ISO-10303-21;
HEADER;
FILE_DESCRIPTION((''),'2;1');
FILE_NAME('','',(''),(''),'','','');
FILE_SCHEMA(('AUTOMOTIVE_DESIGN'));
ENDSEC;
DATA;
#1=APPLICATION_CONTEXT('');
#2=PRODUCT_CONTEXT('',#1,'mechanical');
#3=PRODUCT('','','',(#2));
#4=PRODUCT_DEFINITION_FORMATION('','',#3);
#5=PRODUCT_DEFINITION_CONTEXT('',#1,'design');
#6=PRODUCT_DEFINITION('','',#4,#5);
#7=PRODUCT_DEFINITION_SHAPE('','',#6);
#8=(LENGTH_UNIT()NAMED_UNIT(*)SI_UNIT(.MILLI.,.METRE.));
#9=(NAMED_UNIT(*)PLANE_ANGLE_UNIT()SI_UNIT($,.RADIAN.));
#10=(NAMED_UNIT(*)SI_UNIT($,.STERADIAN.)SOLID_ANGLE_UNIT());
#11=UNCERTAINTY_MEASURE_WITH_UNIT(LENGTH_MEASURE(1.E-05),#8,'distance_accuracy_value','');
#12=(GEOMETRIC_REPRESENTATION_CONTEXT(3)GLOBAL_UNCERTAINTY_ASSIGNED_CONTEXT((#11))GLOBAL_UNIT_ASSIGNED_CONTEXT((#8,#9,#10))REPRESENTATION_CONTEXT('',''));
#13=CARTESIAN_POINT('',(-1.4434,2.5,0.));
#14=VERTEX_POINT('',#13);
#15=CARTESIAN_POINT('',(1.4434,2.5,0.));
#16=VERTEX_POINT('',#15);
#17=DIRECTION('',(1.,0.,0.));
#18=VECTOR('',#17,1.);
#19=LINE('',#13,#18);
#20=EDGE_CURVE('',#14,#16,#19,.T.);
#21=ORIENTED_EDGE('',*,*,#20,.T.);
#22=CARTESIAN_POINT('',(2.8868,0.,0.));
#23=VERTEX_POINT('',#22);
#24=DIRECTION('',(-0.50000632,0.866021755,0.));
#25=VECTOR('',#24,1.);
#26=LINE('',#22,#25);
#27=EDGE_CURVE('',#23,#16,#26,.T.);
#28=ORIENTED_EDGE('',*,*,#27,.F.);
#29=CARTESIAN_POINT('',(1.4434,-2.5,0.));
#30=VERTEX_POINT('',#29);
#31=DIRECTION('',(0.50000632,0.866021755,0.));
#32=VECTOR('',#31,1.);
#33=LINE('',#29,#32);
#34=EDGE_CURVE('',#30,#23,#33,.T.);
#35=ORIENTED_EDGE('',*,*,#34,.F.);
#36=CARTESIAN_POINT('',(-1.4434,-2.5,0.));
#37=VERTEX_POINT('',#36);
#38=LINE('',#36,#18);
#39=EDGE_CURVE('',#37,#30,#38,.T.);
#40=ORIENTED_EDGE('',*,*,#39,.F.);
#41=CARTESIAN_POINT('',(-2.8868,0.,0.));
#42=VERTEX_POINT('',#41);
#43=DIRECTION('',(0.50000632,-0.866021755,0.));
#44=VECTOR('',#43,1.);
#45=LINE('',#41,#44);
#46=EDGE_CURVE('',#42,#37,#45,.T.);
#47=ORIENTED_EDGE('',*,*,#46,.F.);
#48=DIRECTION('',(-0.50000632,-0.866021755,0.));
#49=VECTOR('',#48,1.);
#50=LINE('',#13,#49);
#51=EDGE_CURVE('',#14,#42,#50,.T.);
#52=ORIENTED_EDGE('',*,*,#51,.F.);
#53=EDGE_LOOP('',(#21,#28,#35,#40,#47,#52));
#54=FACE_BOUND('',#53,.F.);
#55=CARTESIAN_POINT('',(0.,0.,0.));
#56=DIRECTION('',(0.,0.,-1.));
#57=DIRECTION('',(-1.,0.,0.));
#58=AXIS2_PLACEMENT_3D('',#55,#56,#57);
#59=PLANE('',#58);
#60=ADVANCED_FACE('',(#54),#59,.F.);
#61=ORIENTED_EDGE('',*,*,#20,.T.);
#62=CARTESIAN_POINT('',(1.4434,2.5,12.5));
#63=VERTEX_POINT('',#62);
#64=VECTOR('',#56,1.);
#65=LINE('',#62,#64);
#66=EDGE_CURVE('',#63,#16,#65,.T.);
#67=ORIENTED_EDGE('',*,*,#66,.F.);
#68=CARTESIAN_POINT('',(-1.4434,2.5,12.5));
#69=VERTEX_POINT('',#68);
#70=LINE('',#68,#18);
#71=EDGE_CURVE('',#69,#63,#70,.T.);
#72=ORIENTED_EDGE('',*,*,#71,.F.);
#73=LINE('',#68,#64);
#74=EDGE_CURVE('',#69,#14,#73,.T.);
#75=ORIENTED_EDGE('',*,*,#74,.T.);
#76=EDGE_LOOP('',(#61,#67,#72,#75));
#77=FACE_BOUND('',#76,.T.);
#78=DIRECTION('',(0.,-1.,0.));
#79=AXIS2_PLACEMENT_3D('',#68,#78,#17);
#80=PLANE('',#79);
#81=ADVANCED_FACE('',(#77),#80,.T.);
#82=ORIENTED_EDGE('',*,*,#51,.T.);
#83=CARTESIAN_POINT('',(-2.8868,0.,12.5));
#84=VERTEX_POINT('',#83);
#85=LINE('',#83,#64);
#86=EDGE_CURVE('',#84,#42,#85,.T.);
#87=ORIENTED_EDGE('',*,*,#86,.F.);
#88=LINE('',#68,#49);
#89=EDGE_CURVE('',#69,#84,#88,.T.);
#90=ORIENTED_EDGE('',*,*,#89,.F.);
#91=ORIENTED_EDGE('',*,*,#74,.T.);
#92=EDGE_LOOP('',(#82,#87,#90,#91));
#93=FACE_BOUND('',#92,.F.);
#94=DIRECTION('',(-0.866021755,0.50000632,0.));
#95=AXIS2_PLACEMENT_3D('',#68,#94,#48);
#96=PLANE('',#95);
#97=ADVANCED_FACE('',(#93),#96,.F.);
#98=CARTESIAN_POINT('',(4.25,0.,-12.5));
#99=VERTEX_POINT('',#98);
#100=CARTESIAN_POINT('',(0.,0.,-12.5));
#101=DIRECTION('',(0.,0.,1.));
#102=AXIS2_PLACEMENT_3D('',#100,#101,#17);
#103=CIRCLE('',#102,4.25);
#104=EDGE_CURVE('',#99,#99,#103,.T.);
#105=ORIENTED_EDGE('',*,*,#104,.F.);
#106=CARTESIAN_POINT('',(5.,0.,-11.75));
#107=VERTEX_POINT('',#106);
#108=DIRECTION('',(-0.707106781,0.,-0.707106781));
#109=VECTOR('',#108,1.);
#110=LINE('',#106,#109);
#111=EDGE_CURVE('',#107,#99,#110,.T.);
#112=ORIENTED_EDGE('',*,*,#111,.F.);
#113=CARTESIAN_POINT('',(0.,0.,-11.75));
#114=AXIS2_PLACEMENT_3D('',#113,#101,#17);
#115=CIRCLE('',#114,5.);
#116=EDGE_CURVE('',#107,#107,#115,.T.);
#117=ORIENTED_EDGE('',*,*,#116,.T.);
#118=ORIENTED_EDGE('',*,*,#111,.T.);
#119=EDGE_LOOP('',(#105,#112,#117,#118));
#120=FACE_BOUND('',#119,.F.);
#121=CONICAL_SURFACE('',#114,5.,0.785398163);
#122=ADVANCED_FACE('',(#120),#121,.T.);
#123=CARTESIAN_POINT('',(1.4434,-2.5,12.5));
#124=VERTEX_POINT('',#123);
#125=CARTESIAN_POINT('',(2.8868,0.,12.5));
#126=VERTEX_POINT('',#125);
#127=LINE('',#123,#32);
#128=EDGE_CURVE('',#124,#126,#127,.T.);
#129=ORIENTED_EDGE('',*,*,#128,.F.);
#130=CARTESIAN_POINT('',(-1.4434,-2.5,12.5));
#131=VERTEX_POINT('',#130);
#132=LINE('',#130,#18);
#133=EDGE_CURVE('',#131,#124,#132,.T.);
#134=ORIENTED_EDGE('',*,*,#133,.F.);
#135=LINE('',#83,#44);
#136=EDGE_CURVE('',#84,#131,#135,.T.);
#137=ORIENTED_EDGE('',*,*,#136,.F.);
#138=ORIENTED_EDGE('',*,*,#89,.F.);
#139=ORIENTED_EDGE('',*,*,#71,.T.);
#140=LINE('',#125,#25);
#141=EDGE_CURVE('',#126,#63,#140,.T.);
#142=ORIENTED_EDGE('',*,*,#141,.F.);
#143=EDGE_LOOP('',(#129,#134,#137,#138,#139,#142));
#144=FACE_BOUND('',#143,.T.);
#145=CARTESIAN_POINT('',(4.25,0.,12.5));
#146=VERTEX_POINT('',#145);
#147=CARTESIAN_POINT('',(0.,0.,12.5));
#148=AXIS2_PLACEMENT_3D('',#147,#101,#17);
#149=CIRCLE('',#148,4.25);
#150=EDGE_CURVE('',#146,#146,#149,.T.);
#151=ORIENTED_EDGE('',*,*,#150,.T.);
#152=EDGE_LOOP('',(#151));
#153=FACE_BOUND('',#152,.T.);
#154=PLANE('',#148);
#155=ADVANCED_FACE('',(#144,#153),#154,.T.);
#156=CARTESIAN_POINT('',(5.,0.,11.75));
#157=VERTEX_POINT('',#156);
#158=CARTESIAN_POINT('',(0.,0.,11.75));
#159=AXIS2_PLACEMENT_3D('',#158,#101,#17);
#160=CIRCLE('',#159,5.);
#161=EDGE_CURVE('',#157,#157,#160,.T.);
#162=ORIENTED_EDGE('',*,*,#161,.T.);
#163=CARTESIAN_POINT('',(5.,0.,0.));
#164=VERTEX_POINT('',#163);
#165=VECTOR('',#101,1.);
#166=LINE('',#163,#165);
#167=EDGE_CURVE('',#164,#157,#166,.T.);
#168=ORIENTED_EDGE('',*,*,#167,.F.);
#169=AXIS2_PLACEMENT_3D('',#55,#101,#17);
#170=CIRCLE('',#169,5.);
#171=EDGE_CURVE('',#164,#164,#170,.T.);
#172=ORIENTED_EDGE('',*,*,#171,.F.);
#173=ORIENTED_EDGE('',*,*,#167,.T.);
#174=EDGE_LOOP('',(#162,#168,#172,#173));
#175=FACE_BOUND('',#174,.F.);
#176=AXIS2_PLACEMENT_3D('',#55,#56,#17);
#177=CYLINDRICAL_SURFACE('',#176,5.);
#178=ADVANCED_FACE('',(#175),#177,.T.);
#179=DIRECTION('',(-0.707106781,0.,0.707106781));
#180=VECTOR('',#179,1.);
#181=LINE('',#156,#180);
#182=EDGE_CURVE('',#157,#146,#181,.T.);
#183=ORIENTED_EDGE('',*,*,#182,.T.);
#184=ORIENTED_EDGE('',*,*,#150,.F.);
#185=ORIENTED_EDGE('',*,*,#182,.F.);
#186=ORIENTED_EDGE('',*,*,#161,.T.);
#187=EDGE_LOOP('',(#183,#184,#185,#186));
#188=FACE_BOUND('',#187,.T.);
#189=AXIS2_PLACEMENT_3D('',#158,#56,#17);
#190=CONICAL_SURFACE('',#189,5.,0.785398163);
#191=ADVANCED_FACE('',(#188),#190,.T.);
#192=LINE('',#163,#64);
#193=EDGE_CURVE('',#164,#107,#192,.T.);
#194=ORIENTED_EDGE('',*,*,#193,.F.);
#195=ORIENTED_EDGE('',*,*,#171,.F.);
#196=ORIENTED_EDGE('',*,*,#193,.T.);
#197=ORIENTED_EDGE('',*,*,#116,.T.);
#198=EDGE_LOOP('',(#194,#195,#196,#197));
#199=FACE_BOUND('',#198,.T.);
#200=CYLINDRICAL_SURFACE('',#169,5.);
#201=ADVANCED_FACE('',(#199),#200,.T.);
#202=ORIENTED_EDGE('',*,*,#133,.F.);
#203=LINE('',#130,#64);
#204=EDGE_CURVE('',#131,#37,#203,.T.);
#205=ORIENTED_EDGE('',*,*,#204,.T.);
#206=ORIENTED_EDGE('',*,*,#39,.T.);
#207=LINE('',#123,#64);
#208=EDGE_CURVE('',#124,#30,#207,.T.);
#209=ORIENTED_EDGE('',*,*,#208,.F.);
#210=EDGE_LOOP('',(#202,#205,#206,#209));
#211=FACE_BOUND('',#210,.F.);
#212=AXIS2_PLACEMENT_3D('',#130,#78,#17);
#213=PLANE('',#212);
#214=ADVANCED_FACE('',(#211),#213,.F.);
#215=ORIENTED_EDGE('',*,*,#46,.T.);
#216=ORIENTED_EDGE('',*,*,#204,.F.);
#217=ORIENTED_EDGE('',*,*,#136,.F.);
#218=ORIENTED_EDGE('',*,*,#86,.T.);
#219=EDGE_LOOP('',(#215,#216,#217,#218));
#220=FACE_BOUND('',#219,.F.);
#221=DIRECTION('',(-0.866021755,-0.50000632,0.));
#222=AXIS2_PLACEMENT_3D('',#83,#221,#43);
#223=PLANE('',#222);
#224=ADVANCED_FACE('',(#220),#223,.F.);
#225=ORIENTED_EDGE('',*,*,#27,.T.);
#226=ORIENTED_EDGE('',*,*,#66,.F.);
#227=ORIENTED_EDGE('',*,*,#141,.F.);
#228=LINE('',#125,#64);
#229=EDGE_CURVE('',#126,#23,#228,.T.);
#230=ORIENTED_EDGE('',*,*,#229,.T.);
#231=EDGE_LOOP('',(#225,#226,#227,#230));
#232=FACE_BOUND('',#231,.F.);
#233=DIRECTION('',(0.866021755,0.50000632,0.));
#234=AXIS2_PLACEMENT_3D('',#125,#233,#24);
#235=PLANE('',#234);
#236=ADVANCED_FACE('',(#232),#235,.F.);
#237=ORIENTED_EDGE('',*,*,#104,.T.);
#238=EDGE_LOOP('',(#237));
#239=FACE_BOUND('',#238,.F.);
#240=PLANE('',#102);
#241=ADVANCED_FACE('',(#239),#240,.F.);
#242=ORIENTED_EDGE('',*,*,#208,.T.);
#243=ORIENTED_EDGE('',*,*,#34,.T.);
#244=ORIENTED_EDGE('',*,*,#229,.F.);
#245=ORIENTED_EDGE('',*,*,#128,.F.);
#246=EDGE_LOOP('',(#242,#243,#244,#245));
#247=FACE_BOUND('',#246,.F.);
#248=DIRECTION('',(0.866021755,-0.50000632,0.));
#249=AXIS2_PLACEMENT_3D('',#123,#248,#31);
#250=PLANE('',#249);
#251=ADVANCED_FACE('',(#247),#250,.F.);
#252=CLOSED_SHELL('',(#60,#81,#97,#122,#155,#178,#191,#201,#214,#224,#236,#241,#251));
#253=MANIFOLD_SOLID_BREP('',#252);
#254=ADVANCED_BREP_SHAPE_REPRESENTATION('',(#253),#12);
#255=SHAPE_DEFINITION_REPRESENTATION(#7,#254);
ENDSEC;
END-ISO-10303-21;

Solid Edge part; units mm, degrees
sketch "Sketch1" plane through (0, 0, 0) normal (0, 0, 1) x (1, 0, 0)
  circle A0 centre (0, 0) radius 5
  dimension "D1" = 10
extrude "Protrusion1" add sketch "Sketch1" along normal mid plane 25
chamfer "Chamfer1" distance 0.75 angle 45 2 edges at (-5, 0, -12.5) (-5, 0, 12.5)
sketch "Sketch2" plane through (0, 0, 12.5) normal (0, 0, 1) x (1, 0, 0)
  line L0 (-1.4434, 2.5) -> (1.4434, 2.5)
  line L1 (2.8868, 0) -> (1.4434, 2.5)
  line L2 (1.4434, -2.5) -> (2.8868, 0)
  line L3 (-1.4434, -2.5) -> (1.4434, -2.5)
  line L4 (-2.8868, 0) -> (-1.4434, -2.5)
  line L5 (-1.4434, 2.5) -> (-2.8868, 0)
  dimension "D1" = 5
extrude "Cutout1" cut sketch "Sketch2" against normal blind 12.5
properties part number "24107414"
